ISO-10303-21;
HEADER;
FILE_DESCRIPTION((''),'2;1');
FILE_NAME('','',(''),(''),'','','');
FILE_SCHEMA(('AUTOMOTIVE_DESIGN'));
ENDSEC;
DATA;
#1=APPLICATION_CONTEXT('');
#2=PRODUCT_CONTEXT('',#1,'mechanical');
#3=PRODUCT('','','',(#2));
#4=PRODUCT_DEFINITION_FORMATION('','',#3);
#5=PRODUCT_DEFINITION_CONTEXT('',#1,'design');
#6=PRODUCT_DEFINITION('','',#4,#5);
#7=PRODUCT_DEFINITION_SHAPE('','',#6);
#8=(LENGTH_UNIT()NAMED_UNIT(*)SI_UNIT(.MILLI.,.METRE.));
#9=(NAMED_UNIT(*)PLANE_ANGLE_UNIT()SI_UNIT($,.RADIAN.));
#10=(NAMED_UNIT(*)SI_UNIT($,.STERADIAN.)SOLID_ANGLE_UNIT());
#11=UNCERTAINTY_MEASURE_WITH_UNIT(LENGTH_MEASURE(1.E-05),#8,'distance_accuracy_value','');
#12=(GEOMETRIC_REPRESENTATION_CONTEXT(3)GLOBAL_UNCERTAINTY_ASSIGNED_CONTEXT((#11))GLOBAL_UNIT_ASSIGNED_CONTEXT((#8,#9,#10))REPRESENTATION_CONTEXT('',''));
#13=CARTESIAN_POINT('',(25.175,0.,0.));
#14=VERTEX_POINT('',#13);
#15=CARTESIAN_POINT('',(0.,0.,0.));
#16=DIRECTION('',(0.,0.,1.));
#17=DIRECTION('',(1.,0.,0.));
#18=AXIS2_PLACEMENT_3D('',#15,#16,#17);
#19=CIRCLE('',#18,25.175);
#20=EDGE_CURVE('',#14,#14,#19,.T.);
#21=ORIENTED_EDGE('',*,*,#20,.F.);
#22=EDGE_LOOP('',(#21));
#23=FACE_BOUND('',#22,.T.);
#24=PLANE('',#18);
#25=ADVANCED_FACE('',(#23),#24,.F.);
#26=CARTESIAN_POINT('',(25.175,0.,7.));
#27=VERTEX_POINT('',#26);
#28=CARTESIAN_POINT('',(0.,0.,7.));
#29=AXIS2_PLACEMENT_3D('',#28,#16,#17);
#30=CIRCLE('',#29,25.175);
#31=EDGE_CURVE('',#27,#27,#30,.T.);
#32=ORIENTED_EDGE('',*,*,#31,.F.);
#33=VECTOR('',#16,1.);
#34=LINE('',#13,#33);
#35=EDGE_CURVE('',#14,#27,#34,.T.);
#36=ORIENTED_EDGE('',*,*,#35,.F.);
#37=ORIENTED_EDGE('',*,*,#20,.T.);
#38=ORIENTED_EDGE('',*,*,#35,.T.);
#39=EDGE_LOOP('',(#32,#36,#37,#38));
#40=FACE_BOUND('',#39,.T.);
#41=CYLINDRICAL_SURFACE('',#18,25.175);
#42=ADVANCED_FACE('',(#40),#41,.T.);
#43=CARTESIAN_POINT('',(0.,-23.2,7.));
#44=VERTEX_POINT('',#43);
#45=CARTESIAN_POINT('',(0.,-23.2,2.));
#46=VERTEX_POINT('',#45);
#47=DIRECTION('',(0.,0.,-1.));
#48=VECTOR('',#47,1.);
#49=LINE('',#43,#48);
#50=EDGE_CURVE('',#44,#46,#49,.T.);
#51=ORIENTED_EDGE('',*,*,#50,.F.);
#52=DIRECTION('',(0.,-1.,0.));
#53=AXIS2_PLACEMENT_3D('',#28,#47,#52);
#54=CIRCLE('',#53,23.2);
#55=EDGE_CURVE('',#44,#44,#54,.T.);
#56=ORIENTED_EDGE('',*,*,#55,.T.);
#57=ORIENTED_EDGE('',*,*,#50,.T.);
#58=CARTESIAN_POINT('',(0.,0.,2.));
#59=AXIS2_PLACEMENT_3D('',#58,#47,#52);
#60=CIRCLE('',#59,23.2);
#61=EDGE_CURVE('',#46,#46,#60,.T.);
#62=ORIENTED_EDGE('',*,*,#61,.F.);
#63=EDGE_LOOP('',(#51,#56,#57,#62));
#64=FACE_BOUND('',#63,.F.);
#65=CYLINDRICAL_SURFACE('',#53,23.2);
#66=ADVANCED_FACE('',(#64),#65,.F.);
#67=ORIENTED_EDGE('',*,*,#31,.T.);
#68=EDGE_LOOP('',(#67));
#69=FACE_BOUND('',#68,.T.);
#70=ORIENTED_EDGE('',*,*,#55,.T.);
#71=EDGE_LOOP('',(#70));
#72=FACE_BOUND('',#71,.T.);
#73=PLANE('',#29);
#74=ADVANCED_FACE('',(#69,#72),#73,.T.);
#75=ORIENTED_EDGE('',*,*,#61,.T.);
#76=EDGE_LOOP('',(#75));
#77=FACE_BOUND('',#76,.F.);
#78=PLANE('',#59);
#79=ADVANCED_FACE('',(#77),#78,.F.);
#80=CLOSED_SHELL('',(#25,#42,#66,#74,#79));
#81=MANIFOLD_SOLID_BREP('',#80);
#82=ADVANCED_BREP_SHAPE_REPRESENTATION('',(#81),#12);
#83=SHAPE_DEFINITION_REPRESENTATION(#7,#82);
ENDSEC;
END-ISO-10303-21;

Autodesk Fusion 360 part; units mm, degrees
sketch "Sketch1" plane through (0, 0, 0) normal (0, 0, 1) x (1, 0, 0)
cylinder "CylinderPrimitive1" add diameter 50.35 height 7 placed x (1, 0, 0) y (0, 1, 0) z (0, 0, 1) at (0, 0, 0)
hole "Hole1" at (0, 0, 7) direction (0, 0, -1) diameter 46.4 depth 5 tip angle 180
